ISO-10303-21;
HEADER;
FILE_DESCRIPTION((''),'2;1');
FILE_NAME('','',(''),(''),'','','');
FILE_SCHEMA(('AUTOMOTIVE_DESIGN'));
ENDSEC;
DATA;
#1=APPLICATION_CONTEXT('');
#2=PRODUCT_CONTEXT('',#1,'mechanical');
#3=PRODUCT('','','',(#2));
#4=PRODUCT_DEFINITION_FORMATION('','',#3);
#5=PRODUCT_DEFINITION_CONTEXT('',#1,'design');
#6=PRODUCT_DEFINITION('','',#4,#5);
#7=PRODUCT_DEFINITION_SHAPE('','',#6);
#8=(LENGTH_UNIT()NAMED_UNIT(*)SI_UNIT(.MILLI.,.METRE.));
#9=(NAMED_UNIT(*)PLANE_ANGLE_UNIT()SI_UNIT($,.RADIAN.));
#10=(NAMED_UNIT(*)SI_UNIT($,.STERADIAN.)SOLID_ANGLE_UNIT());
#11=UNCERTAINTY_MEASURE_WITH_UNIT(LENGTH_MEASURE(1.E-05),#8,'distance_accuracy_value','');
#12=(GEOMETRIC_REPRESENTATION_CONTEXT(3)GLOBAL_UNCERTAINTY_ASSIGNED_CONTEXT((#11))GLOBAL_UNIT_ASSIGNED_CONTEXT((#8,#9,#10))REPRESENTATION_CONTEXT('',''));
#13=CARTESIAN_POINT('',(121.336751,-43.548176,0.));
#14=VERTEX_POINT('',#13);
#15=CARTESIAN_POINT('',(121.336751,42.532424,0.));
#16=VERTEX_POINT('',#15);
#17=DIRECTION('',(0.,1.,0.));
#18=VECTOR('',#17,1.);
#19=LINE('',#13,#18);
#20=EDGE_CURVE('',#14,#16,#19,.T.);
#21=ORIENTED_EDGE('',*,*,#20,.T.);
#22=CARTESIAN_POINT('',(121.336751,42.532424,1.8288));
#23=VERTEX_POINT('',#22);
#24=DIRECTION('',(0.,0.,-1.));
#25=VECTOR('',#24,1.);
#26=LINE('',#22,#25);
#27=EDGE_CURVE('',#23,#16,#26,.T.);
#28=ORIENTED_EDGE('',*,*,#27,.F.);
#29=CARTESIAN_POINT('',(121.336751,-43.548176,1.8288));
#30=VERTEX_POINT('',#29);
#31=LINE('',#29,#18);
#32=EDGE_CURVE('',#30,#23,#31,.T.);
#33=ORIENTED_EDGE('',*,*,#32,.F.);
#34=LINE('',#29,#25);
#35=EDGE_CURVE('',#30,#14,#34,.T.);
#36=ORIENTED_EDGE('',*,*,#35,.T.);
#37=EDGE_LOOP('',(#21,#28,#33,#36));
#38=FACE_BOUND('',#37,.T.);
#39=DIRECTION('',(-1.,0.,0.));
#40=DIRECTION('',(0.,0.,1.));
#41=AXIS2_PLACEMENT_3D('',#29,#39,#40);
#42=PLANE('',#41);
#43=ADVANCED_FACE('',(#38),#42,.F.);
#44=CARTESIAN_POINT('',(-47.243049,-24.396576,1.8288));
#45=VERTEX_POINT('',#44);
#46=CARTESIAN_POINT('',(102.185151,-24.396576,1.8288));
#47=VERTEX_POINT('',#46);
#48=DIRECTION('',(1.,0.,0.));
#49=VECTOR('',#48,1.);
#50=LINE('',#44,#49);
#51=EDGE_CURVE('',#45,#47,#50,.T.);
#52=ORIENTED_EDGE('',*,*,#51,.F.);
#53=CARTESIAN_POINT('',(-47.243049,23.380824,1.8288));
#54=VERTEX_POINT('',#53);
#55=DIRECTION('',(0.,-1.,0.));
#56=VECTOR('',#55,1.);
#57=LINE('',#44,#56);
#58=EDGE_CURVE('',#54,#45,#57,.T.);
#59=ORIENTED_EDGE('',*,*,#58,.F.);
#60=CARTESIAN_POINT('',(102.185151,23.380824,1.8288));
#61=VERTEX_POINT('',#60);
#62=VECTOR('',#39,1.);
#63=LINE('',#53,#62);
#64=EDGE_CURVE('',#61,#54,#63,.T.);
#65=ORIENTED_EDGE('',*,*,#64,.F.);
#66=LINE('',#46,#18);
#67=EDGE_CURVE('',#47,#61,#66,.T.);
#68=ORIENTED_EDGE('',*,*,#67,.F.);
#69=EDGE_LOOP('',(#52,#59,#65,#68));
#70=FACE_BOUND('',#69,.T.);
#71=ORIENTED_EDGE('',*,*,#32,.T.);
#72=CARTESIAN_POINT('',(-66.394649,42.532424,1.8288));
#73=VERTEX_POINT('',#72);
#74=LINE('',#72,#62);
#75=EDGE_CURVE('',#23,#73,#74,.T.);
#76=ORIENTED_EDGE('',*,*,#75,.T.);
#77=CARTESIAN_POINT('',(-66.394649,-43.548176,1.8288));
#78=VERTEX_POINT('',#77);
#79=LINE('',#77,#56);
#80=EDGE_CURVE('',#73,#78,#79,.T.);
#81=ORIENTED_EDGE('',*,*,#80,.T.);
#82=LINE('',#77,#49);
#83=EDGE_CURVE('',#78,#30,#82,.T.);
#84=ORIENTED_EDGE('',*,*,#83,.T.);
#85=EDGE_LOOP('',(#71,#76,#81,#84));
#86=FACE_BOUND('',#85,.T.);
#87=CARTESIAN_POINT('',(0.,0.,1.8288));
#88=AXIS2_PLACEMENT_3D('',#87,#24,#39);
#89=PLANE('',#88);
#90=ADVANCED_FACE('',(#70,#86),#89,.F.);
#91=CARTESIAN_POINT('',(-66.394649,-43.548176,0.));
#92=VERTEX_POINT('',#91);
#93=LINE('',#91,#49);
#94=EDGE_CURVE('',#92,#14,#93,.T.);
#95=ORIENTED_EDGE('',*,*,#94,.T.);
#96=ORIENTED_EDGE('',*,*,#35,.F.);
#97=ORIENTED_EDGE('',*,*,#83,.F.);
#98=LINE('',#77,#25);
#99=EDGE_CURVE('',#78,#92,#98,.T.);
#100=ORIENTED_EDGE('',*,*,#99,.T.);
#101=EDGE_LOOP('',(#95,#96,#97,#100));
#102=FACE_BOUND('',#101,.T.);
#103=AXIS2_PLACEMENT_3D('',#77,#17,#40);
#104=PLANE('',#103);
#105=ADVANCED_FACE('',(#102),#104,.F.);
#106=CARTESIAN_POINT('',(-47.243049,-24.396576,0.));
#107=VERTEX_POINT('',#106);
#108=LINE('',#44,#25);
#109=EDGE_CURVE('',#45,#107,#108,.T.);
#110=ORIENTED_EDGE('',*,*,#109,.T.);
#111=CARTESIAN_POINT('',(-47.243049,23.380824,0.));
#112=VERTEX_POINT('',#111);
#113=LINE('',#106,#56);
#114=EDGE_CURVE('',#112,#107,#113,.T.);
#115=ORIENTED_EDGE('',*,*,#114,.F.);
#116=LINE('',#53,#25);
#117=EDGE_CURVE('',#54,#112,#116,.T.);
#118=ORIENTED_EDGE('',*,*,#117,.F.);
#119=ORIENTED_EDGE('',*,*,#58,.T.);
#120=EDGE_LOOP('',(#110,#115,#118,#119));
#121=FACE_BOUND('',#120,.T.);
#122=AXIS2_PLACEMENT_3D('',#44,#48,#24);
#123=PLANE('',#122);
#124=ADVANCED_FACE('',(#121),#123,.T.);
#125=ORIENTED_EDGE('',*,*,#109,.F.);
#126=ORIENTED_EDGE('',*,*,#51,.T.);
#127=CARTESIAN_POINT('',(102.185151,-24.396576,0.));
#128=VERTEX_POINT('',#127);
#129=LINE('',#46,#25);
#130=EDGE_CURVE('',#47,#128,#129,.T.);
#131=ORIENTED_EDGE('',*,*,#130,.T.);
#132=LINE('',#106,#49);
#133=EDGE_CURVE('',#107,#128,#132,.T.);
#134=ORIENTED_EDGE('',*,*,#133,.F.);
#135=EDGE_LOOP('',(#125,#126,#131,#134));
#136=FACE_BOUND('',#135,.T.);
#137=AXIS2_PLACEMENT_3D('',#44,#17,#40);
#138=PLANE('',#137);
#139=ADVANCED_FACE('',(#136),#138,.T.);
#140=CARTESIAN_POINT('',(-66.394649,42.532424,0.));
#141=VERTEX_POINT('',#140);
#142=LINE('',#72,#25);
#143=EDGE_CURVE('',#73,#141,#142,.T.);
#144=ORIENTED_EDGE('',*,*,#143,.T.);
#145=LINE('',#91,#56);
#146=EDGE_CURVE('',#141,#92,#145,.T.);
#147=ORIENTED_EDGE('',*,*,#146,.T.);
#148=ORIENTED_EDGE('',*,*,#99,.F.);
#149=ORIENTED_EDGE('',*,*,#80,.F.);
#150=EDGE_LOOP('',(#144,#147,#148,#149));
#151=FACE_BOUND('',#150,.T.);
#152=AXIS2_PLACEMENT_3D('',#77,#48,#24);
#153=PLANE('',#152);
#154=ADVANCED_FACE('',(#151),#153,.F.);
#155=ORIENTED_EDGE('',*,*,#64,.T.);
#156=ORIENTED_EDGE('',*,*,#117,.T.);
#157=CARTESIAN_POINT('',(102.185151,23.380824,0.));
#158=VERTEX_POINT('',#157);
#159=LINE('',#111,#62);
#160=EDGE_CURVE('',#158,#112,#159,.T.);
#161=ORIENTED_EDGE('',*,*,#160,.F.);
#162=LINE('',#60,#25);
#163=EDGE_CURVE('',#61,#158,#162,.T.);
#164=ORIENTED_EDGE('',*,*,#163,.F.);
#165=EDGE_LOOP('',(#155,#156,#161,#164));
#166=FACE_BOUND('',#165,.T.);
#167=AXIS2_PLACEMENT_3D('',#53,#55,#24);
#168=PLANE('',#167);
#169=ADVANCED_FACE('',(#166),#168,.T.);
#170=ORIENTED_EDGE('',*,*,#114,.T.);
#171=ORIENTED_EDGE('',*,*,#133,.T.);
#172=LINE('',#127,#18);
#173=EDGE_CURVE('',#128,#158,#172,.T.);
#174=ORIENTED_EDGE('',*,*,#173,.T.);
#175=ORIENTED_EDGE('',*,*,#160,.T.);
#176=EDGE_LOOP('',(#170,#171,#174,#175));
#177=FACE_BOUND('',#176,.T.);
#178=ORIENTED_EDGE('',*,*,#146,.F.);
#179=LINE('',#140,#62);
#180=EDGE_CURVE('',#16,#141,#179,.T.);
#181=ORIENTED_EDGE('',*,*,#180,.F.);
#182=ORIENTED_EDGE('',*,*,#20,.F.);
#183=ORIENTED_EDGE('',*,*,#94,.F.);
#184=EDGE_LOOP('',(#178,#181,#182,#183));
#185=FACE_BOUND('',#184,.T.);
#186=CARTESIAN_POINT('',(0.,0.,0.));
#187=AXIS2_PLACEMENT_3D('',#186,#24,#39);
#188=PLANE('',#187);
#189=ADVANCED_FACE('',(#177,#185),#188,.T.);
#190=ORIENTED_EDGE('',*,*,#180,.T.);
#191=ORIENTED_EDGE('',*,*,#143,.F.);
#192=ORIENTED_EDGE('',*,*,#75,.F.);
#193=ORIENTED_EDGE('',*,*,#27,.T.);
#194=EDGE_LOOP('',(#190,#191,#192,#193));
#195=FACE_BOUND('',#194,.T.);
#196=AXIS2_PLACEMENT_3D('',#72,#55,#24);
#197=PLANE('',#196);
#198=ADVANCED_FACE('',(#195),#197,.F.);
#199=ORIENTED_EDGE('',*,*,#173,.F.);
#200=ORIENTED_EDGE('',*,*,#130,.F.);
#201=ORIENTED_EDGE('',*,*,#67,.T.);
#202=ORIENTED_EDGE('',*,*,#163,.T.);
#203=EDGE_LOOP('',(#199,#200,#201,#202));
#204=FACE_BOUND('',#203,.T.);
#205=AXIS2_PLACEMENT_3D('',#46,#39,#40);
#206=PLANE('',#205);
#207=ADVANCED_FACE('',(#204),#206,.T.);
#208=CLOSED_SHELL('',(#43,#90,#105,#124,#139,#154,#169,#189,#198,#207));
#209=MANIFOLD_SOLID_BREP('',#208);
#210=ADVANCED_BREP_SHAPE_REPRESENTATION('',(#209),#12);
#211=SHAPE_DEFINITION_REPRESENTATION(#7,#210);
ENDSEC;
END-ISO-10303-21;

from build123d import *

# Parameters (mm, degrees)
SKETCH1_W           = 187.7314
SKETCH1_H           = 86.0806
SKETCH1_W_2         = 149.4282
SKETCH1_H_2         = 47.7774
BOSS_EXTRUDE1_DEPTH = 1.8288


with BuildPart() as part:
    # Sketch1 → Boss-Extrude1 (new body)
    with BuildSketch(Plane.XY):
        with Locations((27.471050993, -0.507875683)):
            Rectangle(SKETCH1_W, SKETCH1_H)
        with Locations((27.471050993, -0.507875683)):
            Rectangle(SKETCH1_W_2, SKETCH1_H_2, mode=Mode.SUBTRACT)
    extrude(amount=BOSS_EXTRUDE1_DEPTH)


solid = part.part
